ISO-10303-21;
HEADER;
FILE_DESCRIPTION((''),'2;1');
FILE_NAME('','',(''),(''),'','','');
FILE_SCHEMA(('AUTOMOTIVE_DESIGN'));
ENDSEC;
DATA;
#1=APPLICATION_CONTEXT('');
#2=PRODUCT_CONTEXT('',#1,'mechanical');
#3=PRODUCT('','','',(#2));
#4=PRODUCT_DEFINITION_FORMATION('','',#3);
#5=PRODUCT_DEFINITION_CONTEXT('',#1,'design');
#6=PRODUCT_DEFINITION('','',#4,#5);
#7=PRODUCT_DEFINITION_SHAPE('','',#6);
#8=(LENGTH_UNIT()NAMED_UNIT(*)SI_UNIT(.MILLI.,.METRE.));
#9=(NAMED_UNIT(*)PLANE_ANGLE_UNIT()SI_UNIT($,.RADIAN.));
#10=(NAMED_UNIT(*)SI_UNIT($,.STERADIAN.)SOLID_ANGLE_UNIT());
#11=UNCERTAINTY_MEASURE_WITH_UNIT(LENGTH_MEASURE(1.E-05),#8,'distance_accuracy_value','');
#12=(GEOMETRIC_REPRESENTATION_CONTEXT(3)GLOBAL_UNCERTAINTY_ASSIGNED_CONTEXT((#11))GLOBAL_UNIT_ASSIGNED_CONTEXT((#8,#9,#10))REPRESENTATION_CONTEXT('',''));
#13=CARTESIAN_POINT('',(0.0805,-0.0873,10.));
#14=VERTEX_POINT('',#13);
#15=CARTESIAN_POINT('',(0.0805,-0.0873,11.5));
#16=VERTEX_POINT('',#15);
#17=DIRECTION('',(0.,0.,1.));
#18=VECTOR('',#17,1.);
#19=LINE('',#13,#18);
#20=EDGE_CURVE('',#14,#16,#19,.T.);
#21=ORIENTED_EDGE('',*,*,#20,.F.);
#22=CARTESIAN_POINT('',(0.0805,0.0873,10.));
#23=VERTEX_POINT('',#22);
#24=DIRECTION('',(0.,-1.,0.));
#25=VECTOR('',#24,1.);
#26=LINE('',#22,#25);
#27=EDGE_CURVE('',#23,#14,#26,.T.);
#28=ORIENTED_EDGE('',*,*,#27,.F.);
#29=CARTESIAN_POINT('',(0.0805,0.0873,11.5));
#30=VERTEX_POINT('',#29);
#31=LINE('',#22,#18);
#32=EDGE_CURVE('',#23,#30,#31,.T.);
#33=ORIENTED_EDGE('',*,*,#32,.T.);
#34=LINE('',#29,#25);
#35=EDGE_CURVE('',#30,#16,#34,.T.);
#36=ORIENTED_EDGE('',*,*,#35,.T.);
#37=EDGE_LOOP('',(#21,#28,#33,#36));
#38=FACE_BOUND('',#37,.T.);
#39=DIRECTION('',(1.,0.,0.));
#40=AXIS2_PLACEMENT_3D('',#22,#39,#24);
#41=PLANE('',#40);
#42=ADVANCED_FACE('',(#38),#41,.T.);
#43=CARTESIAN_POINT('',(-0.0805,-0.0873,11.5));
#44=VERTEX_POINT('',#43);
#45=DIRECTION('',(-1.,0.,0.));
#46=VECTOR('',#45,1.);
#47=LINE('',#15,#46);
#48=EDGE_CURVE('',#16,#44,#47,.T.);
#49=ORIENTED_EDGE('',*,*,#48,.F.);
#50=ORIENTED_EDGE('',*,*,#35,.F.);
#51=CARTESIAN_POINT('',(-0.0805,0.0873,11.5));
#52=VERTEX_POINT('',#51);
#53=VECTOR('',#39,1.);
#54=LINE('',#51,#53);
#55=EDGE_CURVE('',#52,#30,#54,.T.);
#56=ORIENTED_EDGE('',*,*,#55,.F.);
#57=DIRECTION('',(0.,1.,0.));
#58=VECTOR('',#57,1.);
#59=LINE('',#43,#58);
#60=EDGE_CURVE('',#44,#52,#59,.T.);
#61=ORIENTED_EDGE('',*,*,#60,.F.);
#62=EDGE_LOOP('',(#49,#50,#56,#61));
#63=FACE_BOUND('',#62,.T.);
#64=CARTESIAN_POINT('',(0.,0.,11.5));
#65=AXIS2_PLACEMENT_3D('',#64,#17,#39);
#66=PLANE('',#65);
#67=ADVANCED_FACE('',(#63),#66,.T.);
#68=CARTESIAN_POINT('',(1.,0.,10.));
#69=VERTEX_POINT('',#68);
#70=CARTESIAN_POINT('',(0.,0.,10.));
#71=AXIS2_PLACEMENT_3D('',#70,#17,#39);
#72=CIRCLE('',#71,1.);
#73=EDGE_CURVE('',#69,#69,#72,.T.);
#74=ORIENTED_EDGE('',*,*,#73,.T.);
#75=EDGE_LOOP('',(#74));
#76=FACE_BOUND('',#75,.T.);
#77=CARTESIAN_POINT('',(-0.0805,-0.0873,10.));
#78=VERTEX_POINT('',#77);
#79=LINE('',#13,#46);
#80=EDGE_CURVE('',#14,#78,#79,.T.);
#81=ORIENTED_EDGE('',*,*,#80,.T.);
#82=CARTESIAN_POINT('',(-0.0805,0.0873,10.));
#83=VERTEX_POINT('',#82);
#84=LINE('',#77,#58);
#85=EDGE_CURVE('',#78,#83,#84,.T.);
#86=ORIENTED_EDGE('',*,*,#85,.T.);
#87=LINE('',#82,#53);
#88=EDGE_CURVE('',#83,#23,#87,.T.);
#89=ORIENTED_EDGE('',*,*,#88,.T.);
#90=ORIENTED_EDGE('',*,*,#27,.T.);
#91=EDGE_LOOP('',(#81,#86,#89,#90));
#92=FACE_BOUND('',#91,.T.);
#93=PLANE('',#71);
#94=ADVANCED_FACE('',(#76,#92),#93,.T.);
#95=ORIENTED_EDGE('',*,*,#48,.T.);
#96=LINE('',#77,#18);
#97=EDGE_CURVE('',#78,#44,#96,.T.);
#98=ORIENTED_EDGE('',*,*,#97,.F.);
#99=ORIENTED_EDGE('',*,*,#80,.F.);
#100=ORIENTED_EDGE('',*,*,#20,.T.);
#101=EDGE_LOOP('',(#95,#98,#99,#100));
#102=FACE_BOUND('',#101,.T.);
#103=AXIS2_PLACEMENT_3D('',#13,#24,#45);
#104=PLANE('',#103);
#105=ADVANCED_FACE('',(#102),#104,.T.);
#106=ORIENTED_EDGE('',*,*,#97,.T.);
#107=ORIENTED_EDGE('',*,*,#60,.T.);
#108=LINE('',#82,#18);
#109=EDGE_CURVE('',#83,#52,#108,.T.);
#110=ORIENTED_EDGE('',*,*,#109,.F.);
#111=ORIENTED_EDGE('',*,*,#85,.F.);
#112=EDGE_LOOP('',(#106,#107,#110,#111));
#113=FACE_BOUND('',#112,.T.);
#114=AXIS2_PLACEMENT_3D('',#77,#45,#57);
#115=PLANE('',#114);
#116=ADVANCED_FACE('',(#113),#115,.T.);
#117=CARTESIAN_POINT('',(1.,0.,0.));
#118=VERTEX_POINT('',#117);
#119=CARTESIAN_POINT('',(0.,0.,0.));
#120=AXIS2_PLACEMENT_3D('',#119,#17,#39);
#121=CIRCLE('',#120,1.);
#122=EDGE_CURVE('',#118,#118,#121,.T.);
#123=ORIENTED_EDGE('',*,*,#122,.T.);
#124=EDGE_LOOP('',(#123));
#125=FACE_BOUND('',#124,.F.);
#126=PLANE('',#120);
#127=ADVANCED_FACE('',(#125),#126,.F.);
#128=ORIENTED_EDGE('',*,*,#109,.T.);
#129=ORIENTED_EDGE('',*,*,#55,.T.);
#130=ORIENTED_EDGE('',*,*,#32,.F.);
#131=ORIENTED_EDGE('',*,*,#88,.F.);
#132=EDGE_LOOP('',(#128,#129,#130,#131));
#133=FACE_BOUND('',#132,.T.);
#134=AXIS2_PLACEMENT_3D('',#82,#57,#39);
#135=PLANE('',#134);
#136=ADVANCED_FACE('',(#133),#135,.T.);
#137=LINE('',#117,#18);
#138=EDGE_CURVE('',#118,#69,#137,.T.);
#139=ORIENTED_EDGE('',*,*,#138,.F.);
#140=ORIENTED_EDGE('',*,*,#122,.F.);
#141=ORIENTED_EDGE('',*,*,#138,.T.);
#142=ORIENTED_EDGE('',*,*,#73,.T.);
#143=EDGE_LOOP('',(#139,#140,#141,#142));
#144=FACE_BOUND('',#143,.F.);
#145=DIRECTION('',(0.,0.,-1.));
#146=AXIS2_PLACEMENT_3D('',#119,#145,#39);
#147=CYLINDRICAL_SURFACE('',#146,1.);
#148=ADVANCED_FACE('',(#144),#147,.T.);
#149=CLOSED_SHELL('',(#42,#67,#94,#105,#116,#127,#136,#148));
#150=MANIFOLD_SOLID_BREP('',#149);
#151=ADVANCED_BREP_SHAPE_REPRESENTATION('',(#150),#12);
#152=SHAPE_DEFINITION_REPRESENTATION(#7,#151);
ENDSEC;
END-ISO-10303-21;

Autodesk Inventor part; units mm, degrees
ref_plane "YZ Plane" through (0, 0, 0) normal (1, 0, 0) x (0, 1, 0)
ref_plane "XZ Plane" through (0, 0, 0) normal (0, 1, 0) x (-1, 0, 0)
ref_plane "XY Plane" through (0, 0, 0) normal (0, 0, 1) x (1, 0, 0)
sketch "Sketch1" plane through (0, 0, 0) normal (0, 0, 1) x (1, 0, 0)
  circle A0 centre (0, 0) radius 1
  dimension "d0" = 2
extrude "Extrusion1" add sketch "Sketch1" along normal blind 10
sketch "Sketch2" plane through (0, 0, 10) normal (0, 0, 1) x (1, 0, 0)
  line L0 (0.0805, -0.0873) -> (-0.0805, -0.0873)
  line L1 (-0.0805, -0.0873) -> (-0.0805, 0.0873)
  line L2 (-0.0805, 0.0873) -> (0.0805, 0.0873)
  line L3 (0.0805, 0.0873) -> (0.0805, -0.0873)
  line L4 (0.0805, -0.0873) -> (-0.0805, 0.0873) construction
  line L5 (-0.0805, -0.0873) -> (0.0805, 0.0873) construction
  point P0 (0, 0)
extrude "Extrusion2" add sketch "Sketch2" along normal blind 1.5
sketch "Sketch3" plane through (0, 0, 0) normal (0, 0, -1) x (-1, 0, 0)
  line L0 (50, 50) -> (-50, 50)
  line L1 (-50, 50) -> (-50, -50)
  line L2 (-50, -50) -> (50, -50)
  line L3 (50, -50) -> (50, 50)
  line L4 (50, 50) -> (-50, -50) construction
  line L5 (-50, 50) -> (50, -50) construction
  point P0 (0, 0)
  dimension "d5" = 100
  dimension "d6" = 100
